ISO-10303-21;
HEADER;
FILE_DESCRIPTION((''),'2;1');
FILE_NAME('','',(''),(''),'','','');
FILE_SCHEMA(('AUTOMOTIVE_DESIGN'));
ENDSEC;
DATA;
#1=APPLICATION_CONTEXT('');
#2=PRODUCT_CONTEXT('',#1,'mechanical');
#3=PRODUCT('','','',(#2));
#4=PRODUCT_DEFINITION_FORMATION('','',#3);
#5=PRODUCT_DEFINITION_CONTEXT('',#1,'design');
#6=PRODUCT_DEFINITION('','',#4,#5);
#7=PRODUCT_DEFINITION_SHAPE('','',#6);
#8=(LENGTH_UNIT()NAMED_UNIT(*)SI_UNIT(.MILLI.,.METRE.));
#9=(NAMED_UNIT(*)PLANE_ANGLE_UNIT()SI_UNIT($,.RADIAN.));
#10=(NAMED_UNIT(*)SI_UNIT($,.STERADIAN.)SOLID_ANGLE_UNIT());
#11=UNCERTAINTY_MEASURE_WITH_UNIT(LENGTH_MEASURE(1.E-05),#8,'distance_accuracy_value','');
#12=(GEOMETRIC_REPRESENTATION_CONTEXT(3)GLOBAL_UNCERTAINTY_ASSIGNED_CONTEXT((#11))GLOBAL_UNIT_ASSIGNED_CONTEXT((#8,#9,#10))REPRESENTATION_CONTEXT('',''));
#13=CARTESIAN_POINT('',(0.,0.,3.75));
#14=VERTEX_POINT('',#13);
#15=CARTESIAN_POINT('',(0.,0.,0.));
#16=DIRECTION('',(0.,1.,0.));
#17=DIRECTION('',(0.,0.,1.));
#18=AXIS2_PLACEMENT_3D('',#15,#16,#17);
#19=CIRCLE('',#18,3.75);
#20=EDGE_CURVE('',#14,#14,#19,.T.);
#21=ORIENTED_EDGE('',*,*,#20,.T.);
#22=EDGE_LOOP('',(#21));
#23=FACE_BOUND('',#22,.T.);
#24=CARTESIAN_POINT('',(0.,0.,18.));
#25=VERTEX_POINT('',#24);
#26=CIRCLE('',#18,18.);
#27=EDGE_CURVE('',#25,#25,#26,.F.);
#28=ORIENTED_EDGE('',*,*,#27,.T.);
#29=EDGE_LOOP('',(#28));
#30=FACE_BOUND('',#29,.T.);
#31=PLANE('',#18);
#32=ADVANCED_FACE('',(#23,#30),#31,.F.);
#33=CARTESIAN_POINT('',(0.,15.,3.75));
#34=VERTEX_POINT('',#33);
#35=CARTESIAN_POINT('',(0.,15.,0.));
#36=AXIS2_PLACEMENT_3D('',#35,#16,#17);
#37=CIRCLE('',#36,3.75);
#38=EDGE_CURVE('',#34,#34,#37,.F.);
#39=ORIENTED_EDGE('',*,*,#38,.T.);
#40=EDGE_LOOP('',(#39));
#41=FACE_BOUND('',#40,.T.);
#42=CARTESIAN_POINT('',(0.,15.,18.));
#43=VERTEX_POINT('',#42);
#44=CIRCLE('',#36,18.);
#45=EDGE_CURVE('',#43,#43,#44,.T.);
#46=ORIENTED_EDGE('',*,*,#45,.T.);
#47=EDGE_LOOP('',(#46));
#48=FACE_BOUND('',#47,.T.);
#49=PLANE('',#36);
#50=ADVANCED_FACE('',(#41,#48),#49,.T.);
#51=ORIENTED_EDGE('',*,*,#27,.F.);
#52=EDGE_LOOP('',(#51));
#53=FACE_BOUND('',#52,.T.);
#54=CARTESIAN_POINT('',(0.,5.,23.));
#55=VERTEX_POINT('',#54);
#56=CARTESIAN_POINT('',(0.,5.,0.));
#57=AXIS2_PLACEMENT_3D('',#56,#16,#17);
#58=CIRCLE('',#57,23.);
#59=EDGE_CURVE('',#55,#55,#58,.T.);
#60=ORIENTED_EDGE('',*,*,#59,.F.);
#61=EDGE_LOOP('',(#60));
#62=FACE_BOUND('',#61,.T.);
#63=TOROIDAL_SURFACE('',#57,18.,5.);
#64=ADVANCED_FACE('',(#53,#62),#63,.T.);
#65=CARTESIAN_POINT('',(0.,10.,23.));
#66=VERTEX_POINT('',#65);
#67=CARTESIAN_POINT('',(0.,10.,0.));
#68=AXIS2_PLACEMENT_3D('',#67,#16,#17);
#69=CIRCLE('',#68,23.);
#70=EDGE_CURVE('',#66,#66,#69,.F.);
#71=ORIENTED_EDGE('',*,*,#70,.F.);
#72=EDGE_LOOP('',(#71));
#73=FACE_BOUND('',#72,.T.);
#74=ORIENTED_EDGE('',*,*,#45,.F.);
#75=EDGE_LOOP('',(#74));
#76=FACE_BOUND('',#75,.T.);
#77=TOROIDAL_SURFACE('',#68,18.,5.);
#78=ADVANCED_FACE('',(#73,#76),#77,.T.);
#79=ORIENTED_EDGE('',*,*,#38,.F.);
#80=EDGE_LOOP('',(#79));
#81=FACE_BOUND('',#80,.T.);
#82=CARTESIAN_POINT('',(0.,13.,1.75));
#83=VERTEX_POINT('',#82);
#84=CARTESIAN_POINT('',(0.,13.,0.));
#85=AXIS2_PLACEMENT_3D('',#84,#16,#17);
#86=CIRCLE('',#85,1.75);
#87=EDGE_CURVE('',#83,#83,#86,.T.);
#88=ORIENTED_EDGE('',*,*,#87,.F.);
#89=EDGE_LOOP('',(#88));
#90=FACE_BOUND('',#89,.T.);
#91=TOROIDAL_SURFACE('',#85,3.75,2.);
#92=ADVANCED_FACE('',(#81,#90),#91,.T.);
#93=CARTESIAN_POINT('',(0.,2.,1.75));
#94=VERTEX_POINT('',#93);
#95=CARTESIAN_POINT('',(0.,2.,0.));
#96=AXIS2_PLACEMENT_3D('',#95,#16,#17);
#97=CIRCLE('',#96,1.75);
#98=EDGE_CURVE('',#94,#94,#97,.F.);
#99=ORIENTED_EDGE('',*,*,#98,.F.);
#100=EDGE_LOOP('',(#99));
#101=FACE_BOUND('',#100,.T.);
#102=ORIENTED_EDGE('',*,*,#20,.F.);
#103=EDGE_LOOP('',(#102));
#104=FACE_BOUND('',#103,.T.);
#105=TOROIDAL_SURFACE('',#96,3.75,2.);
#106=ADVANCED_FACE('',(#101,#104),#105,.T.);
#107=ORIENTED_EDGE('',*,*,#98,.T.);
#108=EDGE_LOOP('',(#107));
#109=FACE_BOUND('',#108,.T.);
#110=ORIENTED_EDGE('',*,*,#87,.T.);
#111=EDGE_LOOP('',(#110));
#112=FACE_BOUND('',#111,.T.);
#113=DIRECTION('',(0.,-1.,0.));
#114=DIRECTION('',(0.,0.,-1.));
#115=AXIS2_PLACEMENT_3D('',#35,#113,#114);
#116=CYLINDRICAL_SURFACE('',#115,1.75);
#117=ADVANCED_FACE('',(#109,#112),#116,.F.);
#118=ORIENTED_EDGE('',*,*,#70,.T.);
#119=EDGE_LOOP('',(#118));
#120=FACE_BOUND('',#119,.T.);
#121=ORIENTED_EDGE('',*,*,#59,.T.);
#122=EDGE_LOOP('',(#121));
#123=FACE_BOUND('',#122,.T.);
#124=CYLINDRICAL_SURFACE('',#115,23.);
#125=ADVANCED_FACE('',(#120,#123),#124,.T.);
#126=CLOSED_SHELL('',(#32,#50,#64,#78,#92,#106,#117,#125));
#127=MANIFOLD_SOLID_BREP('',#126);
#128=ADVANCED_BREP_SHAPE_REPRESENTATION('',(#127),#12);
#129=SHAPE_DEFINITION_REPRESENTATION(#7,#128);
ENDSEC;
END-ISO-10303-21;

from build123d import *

# Parameters (mm, degrees)
SKETCH1_R           = 23
SKETCH1_R_2         = 1.75
BOSS_EXTRUDE1_DEPTH = 15
FILLET1_R           = 2
FILLET2_R           = 5


with BuildPart() as part:
    # Sketch1 → Boss-Extrude1 (new body)
    with BuildSketch(Plane(origin=(0, 0, 0), x_dir=(1, 0, 0), z_dir=(0, 1, 0))):
        with Locations(Location((0, 0, 0), (0, 0, 270))):
            Circle(SKETCH1_R)
        with Locations(Location((0, 0, 0), (0, 0, 270))):
            Circle(SKETCH1_R_2, mode=Mode.SUBTRACT)
    extrude(amount=BOSS_EXTRUDE1_DEPTH)

    # Fillet1
    fillet1_edges = [part.edges().sort_by_distance(p)[0] for p in [
        (0, 0, -1.75),
        (0, 15, -1.75),
    ]]
    fillet(fillet1_edges, radius=FILLET1_R)

    # Fillet2
    fillet2_edges = [part.edges().sort_by_distance(p)[0] for p in [
        (0, 0, -23),
        (0, 15, -23),
    ]]
    fillet(fillet2_edges, radius=FILLET2_R)


solid = part.part
